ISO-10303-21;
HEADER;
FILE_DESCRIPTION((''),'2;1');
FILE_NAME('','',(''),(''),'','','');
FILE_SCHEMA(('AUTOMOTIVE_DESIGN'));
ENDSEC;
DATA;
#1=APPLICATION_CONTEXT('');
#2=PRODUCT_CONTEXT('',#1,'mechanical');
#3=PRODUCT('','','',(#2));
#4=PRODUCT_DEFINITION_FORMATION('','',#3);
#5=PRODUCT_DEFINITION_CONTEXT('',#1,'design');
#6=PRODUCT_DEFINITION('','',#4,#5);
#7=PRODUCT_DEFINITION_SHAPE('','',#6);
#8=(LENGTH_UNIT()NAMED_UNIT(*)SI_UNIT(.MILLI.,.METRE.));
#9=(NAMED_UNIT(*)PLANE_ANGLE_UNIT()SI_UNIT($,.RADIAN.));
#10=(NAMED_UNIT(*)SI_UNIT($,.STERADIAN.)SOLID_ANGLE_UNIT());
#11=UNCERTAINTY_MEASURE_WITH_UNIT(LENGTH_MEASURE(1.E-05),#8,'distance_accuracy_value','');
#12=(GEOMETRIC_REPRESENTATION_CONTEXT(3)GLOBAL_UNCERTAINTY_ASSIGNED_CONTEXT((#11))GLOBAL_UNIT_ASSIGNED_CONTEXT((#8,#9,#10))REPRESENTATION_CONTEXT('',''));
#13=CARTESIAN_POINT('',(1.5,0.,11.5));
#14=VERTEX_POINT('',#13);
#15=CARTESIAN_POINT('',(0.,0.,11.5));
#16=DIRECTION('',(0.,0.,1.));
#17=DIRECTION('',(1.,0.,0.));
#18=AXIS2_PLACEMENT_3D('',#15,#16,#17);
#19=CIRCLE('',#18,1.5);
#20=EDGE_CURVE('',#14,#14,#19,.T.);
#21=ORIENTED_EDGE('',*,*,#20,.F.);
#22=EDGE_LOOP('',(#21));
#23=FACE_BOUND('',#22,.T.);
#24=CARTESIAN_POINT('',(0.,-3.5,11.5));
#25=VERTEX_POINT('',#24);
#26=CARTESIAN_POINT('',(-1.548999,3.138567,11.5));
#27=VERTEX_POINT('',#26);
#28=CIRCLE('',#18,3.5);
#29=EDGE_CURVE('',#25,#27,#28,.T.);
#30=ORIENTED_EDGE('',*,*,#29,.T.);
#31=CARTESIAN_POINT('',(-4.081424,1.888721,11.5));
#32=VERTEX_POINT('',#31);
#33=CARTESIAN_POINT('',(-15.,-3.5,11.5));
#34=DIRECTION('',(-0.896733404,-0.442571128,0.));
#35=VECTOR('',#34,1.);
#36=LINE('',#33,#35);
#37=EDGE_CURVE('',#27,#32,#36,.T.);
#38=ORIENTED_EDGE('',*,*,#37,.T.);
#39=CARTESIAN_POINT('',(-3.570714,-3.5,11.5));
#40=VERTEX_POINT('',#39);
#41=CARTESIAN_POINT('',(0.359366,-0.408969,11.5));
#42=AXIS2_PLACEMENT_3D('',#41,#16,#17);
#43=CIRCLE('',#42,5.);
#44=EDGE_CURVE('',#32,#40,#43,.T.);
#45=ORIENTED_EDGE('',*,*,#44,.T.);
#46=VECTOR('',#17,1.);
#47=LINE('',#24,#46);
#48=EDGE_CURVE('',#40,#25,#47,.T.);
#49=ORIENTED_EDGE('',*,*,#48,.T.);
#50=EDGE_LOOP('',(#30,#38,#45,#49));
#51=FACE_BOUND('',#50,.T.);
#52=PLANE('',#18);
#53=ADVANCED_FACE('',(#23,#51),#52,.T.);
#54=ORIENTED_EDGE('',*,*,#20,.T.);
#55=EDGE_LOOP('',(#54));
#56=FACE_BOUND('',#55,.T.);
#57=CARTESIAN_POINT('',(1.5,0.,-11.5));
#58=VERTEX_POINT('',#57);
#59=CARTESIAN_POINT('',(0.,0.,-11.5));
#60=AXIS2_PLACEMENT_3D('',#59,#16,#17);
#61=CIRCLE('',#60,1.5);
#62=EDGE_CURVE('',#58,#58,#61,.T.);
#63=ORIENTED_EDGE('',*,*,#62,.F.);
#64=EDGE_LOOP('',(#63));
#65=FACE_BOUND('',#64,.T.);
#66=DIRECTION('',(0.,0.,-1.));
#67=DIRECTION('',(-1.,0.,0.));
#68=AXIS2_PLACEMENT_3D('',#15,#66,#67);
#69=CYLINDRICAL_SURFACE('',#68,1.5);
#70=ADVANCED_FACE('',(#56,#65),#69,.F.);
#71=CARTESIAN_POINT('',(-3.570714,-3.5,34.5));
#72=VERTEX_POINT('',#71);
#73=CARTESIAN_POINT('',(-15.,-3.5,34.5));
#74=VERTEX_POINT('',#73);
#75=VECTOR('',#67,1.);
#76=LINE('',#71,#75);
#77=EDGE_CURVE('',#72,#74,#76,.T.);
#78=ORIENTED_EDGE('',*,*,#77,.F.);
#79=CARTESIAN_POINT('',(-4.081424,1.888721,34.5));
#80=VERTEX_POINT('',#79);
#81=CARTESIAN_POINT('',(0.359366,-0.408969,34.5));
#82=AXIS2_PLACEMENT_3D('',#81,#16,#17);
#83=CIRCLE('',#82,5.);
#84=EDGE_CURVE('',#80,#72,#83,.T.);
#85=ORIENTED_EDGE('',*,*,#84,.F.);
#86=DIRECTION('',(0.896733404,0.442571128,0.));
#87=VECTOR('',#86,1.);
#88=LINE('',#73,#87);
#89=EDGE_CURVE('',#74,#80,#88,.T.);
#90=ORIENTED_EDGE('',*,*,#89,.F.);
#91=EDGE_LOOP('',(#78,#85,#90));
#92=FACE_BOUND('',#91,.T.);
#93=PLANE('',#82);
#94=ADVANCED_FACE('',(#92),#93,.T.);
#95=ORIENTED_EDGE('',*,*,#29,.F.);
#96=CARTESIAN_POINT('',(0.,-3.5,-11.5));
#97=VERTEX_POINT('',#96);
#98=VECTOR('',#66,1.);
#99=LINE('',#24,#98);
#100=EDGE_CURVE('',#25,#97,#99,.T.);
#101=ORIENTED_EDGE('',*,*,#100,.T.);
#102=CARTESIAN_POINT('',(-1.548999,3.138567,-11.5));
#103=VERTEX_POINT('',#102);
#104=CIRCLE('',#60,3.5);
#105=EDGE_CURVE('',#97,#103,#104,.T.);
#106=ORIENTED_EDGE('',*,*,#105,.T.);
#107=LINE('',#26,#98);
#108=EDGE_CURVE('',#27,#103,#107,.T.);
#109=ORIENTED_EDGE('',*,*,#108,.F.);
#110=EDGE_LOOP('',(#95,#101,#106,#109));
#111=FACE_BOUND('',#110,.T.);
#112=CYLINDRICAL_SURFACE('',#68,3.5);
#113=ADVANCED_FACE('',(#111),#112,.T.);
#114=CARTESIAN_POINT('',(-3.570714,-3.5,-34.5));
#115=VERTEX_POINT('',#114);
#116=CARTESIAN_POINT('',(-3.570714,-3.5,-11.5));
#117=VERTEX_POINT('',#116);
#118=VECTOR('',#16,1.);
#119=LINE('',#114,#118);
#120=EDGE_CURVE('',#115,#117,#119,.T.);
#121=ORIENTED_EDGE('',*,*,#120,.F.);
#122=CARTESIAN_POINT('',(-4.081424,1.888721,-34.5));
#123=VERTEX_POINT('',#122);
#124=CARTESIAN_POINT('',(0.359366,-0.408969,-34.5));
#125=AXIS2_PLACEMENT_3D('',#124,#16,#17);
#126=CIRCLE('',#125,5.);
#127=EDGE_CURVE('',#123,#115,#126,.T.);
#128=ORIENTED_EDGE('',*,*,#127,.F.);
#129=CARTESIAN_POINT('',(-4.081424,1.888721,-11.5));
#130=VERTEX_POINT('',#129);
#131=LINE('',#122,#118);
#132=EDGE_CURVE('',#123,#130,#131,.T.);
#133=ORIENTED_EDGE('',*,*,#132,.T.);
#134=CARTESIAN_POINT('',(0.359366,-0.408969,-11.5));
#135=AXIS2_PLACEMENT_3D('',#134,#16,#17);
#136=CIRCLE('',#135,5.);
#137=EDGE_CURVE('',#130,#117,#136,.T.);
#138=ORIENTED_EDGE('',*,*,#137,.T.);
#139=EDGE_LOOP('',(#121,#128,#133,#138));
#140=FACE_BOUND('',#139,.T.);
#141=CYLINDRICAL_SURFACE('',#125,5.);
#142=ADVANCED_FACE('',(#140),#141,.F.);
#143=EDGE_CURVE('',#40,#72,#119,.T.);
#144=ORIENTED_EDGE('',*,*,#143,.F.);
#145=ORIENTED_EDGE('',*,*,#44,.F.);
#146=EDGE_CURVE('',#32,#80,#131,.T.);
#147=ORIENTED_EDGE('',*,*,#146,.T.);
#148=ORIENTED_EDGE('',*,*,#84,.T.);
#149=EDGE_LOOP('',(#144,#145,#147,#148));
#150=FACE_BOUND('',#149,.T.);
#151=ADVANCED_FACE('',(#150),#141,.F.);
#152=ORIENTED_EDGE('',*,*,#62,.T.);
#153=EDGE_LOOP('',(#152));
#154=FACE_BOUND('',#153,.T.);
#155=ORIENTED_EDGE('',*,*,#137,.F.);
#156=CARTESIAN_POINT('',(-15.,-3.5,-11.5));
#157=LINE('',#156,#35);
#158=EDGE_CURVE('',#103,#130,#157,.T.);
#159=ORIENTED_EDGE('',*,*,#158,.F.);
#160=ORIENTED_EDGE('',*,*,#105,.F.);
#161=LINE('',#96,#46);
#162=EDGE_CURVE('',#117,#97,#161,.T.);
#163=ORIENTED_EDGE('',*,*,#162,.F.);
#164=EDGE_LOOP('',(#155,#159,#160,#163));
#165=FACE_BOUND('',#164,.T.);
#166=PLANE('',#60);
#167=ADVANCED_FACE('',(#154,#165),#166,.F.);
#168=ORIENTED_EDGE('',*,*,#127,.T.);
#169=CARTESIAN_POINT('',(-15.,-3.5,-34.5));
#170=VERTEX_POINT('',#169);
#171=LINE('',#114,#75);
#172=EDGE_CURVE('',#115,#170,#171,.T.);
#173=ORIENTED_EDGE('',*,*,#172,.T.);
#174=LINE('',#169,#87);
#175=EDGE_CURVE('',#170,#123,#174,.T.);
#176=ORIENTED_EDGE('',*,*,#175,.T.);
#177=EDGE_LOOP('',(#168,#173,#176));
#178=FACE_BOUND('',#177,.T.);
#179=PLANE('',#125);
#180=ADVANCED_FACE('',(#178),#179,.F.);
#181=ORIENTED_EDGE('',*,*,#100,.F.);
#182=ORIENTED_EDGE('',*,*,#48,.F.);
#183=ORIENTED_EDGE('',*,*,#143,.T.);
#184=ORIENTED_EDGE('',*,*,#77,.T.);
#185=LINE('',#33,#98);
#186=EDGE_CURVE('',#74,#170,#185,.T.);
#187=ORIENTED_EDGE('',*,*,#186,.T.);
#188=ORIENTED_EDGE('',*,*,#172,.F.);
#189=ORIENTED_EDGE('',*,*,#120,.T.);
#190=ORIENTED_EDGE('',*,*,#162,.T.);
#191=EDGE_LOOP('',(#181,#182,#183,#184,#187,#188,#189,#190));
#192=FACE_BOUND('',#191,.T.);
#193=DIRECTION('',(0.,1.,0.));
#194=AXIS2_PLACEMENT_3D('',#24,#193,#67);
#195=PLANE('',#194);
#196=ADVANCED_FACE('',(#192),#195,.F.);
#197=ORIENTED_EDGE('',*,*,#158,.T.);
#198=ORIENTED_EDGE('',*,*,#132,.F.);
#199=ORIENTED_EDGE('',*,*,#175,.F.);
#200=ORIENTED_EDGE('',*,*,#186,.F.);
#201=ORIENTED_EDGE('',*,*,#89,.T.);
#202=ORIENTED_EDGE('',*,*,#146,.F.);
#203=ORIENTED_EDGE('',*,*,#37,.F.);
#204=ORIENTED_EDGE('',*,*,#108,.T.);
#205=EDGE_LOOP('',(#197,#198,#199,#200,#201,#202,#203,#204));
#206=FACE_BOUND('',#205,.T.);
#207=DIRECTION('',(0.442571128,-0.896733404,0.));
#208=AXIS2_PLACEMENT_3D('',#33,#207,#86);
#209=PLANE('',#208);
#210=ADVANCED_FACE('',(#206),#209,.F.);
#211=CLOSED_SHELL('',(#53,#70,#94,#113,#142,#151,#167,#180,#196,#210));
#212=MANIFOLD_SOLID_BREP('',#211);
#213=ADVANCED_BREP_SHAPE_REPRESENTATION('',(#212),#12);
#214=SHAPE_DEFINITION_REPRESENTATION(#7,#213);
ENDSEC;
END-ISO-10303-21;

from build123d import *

# Parameters (mm, degrees)
SKETCH1_R           = 3.5
SKETCH1_R_2         = 1.5
BOSS_EXTRUDE1_DEPTH = 11.5
BOSS_EXTRUDE2_DEPTH = 11.5
BOSS_EXTRUDE3_DEPTH = 34.5


with BuildPart() as part:
    # Sketch1 → Boss-Extrude1 (new, symmetric)
    with BuildSketch(Plane.XY):
        Circle(SKETCH1_R)
        Circle(SKETCH1_R_2, mode=Mode.SUBTRACT)
    extrude(amount=BOSS_EXTRUDE1_DEPTH, both=True)

    # Sketch2 → Boss-Extrude2 (add, symmetric)
    with BuildSketch(Plane.XY):
        with BuildLine():
            Line((0, -3.5), (-15, -3.5))
            Line((-15, -3.5), (-1.548998946, 3.138566913))
            ThreePointArc((-1.548998946, 3.138566913), (-3.408444234, -0.795303655), (0, -3.5))
        make_face()
    extrude(amount=BOSS_EXTRUDE2_DEPTH, both=True)

    # Sketch3 → Boss-Extrude3 (add, symmetric)
    with BuildSketch(Plane(origin=(0, 0, 0), x_dir=(-1, 0, 0), z_dir=(0, 0, -1))):
        with BuildLine():
            Line((3.570714214, -3.5), (15, -3.5))
            Line((15, -3.5), (4.081424237, 1.888721293))
            ThreePointArc((4.081424237, 1.888721293), (4.618328991, -0.880724885), (3.570714214, -3.5))
        make_face()
    extrude(amount=BOSS_EXTRUDE3_DEPTH, both=True)


solid = part.part
